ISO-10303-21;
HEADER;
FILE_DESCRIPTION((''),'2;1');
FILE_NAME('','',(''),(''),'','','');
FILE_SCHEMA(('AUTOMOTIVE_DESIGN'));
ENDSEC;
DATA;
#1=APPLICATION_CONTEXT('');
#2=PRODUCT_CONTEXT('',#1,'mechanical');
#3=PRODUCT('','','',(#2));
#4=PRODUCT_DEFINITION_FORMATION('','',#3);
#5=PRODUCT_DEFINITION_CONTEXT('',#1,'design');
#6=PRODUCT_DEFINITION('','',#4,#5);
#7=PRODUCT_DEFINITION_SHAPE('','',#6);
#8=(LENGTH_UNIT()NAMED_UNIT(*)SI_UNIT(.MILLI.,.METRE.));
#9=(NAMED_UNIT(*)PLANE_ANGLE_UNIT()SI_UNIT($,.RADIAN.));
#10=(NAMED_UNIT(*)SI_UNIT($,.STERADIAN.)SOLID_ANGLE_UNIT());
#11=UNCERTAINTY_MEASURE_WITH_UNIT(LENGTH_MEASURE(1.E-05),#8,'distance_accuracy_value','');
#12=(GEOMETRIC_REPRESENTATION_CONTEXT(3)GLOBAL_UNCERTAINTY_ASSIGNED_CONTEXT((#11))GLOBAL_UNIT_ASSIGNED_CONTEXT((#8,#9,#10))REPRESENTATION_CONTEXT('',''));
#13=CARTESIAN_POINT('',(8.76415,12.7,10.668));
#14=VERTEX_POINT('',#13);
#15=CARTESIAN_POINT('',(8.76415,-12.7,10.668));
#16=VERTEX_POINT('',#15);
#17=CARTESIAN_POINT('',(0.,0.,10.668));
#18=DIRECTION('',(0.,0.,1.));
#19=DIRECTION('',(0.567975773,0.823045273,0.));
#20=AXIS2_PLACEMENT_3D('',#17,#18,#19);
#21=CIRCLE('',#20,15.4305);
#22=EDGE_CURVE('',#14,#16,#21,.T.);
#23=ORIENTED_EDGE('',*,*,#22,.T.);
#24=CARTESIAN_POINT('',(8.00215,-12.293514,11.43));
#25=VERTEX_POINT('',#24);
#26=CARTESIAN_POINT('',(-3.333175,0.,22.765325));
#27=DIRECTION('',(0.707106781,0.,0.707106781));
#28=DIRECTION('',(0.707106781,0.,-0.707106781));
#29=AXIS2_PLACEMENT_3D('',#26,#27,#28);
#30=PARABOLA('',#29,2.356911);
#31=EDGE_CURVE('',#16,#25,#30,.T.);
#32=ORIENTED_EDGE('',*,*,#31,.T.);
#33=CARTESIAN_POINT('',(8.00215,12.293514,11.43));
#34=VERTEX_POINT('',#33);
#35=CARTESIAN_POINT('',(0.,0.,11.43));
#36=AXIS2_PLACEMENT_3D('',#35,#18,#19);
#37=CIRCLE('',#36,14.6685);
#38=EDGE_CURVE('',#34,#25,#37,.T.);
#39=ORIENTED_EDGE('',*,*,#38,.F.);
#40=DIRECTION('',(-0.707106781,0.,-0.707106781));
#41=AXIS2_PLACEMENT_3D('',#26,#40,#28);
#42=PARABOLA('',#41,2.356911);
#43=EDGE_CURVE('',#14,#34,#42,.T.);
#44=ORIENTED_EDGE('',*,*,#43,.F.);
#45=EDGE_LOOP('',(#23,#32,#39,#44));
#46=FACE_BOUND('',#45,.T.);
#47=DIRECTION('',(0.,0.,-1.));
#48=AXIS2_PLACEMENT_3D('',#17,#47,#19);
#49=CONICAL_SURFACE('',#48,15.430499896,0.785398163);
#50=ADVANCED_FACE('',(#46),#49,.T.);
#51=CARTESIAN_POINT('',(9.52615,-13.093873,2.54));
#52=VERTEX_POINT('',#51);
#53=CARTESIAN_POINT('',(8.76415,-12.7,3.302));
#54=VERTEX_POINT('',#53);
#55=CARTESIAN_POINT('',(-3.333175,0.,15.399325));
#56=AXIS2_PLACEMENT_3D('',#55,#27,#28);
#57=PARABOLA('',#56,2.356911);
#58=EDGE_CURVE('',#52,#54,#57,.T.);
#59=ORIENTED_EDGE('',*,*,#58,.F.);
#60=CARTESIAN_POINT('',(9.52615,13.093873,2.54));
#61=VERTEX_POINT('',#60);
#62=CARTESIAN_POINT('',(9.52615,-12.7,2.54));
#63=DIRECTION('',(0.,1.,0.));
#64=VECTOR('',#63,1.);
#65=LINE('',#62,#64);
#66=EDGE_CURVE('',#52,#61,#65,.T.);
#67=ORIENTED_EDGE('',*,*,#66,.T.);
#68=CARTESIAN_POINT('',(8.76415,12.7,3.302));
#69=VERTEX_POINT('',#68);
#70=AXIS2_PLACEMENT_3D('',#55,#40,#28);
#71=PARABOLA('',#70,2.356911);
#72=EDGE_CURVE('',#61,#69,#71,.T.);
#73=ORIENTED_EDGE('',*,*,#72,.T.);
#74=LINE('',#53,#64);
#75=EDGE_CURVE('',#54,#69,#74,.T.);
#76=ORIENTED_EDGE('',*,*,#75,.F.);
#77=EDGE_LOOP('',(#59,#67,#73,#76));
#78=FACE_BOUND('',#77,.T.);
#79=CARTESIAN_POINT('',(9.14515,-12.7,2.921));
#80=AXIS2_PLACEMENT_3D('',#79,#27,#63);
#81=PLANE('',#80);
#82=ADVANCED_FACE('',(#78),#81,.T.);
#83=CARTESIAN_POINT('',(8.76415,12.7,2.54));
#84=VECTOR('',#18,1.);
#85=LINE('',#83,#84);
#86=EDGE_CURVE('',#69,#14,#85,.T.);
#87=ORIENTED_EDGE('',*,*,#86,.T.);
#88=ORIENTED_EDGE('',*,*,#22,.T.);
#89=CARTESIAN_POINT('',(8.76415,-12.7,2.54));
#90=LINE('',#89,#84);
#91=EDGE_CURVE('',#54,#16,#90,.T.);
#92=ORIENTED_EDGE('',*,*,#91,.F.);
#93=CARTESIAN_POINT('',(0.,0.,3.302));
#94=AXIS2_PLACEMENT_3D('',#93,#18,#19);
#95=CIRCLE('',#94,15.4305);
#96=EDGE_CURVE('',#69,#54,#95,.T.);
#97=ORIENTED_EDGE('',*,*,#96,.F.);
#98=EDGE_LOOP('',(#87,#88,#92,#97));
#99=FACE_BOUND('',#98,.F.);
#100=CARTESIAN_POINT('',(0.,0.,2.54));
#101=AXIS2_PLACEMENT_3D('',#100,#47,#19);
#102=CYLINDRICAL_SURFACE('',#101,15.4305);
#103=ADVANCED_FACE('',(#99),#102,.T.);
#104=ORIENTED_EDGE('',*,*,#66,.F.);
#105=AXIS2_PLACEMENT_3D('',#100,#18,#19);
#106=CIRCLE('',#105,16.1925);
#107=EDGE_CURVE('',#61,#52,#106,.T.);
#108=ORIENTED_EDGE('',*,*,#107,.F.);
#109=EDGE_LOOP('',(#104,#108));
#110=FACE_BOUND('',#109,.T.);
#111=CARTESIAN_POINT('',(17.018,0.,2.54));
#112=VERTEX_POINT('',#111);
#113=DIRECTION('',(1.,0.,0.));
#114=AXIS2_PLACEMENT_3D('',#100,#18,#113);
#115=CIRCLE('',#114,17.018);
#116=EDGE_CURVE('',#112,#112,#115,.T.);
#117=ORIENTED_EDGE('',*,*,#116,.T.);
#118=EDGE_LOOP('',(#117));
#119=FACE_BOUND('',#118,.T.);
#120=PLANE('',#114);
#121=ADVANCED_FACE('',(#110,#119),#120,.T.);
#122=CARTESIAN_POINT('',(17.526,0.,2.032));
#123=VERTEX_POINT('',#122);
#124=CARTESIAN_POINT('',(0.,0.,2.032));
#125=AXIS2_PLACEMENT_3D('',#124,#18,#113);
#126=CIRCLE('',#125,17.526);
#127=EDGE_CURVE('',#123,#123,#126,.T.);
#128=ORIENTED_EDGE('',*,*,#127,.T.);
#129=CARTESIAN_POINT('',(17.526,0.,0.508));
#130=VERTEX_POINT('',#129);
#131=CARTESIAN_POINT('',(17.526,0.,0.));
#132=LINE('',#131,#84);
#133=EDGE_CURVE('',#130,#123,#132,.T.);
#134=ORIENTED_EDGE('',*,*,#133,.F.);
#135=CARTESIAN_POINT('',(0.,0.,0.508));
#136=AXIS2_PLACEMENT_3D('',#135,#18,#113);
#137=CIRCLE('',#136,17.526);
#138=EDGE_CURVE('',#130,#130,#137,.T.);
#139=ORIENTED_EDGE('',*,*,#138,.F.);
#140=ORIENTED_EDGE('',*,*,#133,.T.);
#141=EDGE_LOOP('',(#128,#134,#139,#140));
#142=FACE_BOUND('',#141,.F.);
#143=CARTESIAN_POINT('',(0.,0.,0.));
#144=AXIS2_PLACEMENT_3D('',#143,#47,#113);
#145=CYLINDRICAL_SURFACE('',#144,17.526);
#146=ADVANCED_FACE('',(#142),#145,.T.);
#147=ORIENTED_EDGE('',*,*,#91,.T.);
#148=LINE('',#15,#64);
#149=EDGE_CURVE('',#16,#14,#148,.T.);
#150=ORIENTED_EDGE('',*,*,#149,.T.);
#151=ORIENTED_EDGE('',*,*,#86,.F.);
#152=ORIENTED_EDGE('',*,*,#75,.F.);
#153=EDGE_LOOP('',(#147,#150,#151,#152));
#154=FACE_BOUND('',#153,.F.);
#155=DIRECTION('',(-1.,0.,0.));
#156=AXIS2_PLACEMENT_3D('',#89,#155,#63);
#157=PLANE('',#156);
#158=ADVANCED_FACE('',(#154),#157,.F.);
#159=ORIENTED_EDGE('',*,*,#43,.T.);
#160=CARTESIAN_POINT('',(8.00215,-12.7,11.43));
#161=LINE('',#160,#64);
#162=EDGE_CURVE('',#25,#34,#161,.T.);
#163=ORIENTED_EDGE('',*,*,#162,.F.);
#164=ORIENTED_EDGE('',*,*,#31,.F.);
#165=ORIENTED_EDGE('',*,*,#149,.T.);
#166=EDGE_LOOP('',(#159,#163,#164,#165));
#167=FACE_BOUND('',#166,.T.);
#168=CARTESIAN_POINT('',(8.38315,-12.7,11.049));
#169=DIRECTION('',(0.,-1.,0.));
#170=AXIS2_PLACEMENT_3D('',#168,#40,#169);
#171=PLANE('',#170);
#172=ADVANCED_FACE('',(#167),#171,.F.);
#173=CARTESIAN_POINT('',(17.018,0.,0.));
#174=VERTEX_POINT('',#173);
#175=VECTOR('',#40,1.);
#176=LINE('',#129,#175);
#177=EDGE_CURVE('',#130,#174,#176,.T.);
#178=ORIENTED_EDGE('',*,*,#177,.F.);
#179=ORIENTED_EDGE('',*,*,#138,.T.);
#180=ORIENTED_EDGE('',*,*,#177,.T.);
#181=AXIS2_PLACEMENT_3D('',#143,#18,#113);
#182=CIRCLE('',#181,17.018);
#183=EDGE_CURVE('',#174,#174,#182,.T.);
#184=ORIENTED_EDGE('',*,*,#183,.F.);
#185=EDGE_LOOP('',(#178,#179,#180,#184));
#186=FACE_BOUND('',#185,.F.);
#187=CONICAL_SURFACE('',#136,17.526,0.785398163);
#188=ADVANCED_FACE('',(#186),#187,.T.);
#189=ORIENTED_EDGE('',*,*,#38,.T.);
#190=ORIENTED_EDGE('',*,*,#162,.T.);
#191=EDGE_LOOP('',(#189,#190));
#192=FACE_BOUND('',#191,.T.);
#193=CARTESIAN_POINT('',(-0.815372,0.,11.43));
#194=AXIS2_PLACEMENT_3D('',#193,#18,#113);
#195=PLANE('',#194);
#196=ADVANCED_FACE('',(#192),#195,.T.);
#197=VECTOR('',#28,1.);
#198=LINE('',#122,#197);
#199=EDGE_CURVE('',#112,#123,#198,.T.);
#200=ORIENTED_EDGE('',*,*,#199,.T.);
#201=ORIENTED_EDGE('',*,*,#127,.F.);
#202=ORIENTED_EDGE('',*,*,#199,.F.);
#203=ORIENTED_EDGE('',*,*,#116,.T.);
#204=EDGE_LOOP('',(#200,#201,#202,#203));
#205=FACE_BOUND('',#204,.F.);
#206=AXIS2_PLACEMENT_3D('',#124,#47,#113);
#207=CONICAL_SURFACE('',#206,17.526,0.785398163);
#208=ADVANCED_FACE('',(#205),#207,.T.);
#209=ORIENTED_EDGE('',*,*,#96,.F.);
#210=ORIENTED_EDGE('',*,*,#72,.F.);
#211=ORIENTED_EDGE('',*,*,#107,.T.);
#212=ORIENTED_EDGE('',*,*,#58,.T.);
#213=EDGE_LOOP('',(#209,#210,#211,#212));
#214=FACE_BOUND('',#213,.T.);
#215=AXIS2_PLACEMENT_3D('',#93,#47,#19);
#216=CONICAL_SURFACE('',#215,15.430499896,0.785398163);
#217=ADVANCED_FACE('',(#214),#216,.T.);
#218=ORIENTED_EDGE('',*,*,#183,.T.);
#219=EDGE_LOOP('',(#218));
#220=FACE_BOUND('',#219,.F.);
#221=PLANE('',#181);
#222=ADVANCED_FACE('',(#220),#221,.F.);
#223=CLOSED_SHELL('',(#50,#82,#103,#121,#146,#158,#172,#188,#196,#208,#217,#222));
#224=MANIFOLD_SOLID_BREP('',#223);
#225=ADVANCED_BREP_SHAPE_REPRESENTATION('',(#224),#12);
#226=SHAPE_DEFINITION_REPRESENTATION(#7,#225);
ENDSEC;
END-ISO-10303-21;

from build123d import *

# Parameters (mm, degrees)
F0_R     = 17.526
F1_DEPTH = 2.54
F3_DEPTH = 8.89
F4_SIZE  = 0.762
F5_SIZE  = 0.508


with BuildPart() as f1:
    # F0 (on Top) → F1 (new body)
    with BuildSketch(Plane.XY):
        Circle(F0_R)
    extrude(amount=F1_DEPTH)

    # F2 (on face) → F3 (join)
    with BuildSketch(Plane.XY.offset(2.54)):
        with BuildLine():
            Line((8.76415, -12.7), (8.76415, 12.7))
            ThreePointArc((8.76415, 12.7), (-15.4305, 0), (8.76415, -12.7))
        make_face()
    extrude(amount=F3_DEPTH)

    # F4
    f4_edges = [f1.edges().sort_by_distance(p)[0] for p in [
        (-15.4305, 0, 11.43),
        (8.76415, 0, 11.43),
        (8.76415, 0, 2.54),
        (-15.4305, 0, 2.54),
    ]]
    chamfer(f4_edges, length=F4_SIZE)

    # F5
    f5_edges = [f1.edges().sort_by_distance(p)[0] for p in [
        (-17.526, 0, 2.54),
        (-17.526, 0, 0),
    ]]
    chamfer(f5_edges, length=F5_SIZE)


solid = f1.part
